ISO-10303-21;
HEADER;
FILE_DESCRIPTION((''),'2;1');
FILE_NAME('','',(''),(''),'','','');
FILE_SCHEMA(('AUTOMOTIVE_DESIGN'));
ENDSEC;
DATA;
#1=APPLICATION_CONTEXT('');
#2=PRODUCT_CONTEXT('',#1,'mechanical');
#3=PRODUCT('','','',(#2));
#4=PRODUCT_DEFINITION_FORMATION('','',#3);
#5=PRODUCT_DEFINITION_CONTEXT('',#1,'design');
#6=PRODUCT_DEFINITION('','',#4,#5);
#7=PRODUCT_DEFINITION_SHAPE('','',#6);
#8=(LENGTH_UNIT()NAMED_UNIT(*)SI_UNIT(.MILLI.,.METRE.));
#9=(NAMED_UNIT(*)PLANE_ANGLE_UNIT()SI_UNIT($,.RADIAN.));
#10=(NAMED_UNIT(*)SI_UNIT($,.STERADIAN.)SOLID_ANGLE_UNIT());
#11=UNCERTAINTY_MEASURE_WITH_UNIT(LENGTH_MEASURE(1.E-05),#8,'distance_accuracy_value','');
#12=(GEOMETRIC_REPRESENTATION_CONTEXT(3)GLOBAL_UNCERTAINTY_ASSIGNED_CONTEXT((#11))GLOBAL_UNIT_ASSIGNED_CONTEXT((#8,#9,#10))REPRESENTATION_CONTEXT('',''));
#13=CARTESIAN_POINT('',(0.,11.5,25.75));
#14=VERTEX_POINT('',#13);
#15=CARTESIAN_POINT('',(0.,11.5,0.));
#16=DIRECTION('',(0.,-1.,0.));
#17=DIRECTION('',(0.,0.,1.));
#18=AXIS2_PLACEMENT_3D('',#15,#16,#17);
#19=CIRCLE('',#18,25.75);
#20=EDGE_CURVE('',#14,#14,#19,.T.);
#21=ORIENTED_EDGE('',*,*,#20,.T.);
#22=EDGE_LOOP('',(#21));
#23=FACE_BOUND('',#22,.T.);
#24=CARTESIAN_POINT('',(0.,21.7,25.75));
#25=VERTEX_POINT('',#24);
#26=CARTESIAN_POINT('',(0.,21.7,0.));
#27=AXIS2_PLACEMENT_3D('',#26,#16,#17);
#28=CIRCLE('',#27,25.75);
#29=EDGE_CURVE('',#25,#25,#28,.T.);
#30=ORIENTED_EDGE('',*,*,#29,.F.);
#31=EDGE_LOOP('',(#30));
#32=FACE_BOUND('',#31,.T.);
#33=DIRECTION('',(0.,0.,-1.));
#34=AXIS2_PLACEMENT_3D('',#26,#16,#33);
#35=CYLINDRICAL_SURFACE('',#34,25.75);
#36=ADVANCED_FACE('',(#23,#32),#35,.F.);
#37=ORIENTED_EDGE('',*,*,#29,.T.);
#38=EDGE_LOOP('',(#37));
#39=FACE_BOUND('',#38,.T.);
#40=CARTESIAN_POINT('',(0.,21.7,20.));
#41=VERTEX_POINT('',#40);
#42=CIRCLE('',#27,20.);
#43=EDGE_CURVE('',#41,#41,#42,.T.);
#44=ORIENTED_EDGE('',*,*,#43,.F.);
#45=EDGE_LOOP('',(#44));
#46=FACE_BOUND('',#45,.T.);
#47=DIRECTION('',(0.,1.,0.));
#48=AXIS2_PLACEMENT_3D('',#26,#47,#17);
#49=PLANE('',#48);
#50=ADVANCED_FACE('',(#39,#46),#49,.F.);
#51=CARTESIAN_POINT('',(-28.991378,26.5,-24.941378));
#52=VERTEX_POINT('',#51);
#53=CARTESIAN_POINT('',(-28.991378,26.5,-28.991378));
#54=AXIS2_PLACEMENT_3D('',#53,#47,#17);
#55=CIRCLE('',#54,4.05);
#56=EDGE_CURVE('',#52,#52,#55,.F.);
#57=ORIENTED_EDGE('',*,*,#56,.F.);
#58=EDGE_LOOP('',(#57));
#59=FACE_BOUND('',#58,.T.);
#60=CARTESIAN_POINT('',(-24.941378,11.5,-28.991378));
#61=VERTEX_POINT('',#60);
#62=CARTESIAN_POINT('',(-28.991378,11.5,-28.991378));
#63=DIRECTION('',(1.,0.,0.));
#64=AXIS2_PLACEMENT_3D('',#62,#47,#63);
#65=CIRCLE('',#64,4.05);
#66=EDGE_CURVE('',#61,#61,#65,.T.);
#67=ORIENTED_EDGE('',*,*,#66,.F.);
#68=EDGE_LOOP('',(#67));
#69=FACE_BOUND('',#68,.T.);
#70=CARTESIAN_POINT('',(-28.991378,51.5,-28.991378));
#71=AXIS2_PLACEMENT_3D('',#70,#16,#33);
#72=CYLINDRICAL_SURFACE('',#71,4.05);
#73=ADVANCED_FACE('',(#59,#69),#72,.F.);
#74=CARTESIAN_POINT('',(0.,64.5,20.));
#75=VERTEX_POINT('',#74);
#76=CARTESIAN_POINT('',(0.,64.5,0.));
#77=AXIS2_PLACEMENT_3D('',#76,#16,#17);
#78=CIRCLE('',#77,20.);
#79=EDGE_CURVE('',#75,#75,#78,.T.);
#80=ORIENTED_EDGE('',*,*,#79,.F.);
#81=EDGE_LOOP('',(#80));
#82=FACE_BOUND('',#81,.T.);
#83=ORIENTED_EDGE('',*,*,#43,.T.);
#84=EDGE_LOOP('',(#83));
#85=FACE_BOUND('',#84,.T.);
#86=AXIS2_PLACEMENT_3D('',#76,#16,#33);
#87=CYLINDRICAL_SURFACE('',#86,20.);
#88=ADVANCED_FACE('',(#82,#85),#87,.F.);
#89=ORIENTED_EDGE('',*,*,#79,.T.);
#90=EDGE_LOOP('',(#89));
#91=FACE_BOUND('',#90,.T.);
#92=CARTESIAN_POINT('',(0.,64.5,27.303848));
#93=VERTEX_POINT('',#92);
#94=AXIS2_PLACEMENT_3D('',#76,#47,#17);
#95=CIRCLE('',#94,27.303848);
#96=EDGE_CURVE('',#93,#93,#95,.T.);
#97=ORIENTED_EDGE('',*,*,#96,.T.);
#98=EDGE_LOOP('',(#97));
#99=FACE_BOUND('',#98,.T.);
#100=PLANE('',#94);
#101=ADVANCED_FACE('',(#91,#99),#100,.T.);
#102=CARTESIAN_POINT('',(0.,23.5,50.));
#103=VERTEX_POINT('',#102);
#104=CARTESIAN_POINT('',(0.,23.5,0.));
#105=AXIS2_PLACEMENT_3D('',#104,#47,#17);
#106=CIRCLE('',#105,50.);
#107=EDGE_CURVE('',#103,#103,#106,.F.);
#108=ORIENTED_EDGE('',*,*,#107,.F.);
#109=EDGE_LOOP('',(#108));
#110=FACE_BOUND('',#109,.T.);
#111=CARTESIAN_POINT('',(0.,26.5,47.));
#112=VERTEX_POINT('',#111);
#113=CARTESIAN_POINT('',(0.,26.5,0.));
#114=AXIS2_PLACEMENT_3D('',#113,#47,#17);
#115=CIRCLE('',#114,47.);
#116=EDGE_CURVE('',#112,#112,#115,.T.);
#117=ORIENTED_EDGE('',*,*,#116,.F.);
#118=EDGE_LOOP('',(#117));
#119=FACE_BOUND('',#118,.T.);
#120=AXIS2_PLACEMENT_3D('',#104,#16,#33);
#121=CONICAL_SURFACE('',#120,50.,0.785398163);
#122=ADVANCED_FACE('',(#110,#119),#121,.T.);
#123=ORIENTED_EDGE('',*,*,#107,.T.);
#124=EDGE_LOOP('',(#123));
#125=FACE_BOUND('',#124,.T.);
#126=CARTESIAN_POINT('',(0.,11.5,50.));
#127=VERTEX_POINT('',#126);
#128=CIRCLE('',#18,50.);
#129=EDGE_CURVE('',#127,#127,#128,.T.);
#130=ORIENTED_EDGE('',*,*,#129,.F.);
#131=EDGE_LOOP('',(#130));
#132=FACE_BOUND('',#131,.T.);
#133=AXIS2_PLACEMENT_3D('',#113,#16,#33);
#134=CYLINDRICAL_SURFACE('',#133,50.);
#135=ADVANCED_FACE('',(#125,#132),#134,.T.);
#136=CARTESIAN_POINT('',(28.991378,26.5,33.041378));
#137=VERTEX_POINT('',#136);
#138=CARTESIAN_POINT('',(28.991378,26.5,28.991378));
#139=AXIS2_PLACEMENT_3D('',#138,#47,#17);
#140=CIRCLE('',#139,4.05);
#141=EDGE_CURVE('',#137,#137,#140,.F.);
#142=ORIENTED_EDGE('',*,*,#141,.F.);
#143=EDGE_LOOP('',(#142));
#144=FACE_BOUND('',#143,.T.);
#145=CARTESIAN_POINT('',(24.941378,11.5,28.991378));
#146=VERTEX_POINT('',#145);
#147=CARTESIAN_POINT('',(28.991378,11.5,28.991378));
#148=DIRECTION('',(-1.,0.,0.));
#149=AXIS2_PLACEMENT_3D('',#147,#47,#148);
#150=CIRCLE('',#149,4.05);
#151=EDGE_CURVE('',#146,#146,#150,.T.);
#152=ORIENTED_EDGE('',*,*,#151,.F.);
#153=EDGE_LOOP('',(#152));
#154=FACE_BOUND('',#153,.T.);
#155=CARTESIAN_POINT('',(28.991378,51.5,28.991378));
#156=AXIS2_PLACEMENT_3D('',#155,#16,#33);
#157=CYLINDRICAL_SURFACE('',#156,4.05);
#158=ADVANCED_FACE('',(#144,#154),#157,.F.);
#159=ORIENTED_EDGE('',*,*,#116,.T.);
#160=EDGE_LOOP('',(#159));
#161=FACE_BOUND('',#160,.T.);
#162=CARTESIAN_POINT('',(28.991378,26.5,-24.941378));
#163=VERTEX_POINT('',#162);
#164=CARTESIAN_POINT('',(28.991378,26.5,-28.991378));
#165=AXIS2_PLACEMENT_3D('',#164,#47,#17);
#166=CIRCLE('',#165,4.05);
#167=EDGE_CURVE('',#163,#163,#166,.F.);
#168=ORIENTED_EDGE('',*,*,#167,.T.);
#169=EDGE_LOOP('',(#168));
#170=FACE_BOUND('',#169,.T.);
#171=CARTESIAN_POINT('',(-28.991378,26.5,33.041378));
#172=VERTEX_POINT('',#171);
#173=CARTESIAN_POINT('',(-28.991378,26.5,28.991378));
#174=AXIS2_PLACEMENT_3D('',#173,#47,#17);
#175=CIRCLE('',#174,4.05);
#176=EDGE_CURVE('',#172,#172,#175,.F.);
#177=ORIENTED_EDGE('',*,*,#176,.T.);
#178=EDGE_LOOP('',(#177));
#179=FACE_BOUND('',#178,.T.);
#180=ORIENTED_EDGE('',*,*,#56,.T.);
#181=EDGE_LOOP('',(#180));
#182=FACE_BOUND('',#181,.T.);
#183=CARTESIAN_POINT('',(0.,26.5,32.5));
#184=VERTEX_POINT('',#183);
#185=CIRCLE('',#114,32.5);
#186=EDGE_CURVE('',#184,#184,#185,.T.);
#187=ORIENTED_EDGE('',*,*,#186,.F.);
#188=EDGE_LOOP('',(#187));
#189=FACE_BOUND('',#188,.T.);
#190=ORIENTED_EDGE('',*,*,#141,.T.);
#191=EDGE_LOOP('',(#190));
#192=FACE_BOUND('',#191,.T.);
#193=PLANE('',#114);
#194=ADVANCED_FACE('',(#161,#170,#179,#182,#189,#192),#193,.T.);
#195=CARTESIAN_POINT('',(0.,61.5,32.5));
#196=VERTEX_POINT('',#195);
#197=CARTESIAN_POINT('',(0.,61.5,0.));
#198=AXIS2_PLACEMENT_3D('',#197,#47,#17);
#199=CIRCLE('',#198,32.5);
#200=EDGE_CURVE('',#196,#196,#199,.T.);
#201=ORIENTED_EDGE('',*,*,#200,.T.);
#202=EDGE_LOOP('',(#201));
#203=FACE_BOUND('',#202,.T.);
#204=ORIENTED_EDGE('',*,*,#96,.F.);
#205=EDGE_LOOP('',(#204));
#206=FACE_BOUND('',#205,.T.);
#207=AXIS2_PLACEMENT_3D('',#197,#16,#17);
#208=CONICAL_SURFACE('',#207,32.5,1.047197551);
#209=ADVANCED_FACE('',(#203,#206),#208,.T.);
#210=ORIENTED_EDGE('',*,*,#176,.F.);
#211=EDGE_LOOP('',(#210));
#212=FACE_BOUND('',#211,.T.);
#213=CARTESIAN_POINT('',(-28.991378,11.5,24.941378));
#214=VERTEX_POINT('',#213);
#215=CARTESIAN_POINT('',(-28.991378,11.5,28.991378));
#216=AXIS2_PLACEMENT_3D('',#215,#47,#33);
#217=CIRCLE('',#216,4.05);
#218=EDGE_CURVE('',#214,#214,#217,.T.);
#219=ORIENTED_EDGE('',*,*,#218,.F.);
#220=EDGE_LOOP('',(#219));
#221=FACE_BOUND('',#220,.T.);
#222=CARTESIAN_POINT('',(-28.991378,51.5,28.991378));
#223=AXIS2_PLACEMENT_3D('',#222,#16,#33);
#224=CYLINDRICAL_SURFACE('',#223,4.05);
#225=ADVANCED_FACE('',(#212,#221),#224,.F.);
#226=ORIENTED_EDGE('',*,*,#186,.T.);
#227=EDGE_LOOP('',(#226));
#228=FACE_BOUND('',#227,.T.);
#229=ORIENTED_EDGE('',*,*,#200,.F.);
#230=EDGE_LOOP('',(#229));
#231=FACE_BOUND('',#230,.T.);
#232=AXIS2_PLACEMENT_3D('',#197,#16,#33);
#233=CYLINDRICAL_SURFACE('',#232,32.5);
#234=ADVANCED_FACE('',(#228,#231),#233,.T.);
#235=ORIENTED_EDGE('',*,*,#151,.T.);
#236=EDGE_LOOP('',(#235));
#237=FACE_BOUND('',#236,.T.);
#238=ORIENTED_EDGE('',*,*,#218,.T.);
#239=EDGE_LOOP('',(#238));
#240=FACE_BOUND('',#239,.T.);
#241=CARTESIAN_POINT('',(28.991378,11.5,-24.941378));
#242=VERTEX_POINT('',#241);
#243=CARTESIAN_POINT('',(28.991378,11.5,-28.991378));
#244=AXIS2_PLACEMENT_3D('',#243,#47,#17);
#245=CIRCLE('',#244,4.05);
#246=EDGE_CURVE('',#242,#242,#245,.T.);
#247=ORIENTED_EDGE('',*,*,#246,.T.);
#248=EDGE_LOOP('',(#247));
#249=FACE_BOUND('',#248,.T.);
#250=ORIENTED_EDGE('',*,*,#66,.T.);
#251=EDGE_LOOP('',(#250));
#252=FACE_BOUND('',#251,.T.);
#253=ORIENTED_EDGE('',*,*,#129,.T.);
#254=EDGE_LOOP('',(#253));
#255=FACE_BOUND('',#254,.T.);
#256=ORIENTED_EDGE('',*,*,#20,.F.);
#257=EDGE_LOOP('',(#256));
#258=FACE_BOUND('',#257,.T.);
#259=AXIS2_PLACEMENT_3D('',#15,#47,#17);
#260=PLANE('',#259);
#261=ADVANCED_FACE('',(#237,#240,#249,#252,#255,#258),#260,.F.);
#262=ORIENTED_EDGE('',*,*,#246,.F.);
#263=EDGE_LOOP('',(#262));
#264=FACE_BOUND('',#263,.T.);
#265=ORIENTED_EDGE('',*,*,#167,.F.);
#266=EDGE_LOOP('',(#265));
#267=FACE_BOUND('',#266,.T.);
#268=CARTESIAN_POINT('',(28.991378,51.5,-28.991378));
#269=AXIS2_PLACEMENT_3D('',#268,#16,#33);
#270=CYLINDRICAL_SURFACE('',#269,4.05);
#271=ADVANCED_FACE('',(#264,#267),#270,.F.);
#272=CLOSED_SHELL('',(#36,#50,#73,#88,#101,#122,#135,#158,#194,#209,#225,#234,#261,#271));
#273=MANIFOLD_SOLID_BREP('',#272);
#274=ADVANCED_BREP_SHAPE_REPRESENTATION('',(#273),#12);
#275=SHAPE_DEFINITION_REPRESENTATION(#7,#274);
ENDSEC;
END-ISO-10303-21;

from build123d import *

# Parameters (mm, degrees)
SKETCH1_R           = 50
BOSS_EXTRUDE1_DEPTH = 15
SKETCH6_R           = 32.5
BOSS_EXTRUDE2_DEPTH = 35
SKETCH7_R           = 32.5
BOSS_EXTRUDE3_DEPTH = 3
BOSS_EXTRUDE3_TAPER = 60
SKETCH9_R           = 25.75
CUT_EXTRUDE5_DEPTH  = 10.2
SKETCH10_R          = 20
CUT_EXTRUDE6_DEPTH  = 83.654945457
SKETCH11_R          = 4.05
CUT_EXTRUDE7_DEPTH  = 40
CIRPATTERN1_COUNT   = 4
CHAMFER1_SIZE       = 3


with BuildPart() as part:
    # Sketch1 → Boss-Extrude1 (new body)
    with BuildSketch(Plane.XZ.offset(-11.5)):
        with Locations(Location((0, 0, 0), (0, 0, 90))):
            Circle(SKETCH1_R)
    extrude(amount=-BOSS_EXTRUDE1_DEPTH)

    # Sketch6 → Boss-Extrude2 (add)
    with BuildSketch(Plane(origin=(0, 26.5, 0), x_dir=(-1, 0, 0), z_dir=(0, 1, 0))):
        with Locations(Location((0, 0, 0), (0, 0, 90))):
            Circle(SKETCH6_R)
    extrude(amount=BOSS_EXTRUDE2_DEPTH)

    # Sketch7 → Boss-Extrude3 (add)
    with BuildSketch(Plane(origin=(0, 61.5, 0), x_dir=(-1, 0, 0), z_dir=(0, 1, 0))):
        with Locations(Location((0, 0, 0), (0, 0, 90))):
            Circle(SKETCH7_R)
    extrude(amount=BOSS_EXTRUDE3_DEPTH, taper=BOSS_EXTRUDE3_TAPER)

    # Sketch9 → Cut-Extrude5 (cut)
    with BuildSketch(Plane.XZ.offset(-11.5)):
        with Locations(Location((0, 0, 0), (0, 0, 90))):
            Circle(SKETCH9_R)
    extrude(amount=-CUT_EXTRUDE5_DEPTH, mode=Mode.SUBTRACT)

    # Sketch10 → Cut-Extrude6 (cut, through all)
    with BuildSketch(Plane.XZ.offset(-21.7)):
        with Locations(Location((0, 0, 0), (0, 0, 90))):
            Circle(SKETCH10_R)
    extrude(amount=-CUT_EXTRUDE6_DEPTH, mode=Mode.SUBTRACT)

    # Sketch11 → Cut-Extrude7 (cut)
    with BuildSketch(Plane(origin=(389.160069558, 11.5, 0), x_dir=(1, 0, 0), z_dir=(0, 1, 0))):
        with Locations(Location((-360.168691529, 28.991378029, 0), (0, 0, 270))):
            Circle(SKETCH11_R)
    cut_extrude7 = extrude(amount=CUT_EXTRUDE7_DEPTH, mode=Mode.SUBTRACT)

    # CirPattern1: Cut-Extrude7 ×4 about axis
    cirpattern1_axis = Axis((0, 0, 0), (0, 1, 0))
    for i in range(1, CIRPATTERN1_COUNT):
        add(cut_extrude7.rotate(cirpattern1_axis, i * 360 / CIRPATTERN1_COUNT), mode=Mode.SUBTRACT)

    # Chamfer1
    chamfer1_edges = [part.edges().sort_by_distance(p)[0] for p in [
        (0, 26.5, -50),
    ]]
    chamfer(chamfer1_edges, length=CHAMFER1_SIZE)


solid = part.part
